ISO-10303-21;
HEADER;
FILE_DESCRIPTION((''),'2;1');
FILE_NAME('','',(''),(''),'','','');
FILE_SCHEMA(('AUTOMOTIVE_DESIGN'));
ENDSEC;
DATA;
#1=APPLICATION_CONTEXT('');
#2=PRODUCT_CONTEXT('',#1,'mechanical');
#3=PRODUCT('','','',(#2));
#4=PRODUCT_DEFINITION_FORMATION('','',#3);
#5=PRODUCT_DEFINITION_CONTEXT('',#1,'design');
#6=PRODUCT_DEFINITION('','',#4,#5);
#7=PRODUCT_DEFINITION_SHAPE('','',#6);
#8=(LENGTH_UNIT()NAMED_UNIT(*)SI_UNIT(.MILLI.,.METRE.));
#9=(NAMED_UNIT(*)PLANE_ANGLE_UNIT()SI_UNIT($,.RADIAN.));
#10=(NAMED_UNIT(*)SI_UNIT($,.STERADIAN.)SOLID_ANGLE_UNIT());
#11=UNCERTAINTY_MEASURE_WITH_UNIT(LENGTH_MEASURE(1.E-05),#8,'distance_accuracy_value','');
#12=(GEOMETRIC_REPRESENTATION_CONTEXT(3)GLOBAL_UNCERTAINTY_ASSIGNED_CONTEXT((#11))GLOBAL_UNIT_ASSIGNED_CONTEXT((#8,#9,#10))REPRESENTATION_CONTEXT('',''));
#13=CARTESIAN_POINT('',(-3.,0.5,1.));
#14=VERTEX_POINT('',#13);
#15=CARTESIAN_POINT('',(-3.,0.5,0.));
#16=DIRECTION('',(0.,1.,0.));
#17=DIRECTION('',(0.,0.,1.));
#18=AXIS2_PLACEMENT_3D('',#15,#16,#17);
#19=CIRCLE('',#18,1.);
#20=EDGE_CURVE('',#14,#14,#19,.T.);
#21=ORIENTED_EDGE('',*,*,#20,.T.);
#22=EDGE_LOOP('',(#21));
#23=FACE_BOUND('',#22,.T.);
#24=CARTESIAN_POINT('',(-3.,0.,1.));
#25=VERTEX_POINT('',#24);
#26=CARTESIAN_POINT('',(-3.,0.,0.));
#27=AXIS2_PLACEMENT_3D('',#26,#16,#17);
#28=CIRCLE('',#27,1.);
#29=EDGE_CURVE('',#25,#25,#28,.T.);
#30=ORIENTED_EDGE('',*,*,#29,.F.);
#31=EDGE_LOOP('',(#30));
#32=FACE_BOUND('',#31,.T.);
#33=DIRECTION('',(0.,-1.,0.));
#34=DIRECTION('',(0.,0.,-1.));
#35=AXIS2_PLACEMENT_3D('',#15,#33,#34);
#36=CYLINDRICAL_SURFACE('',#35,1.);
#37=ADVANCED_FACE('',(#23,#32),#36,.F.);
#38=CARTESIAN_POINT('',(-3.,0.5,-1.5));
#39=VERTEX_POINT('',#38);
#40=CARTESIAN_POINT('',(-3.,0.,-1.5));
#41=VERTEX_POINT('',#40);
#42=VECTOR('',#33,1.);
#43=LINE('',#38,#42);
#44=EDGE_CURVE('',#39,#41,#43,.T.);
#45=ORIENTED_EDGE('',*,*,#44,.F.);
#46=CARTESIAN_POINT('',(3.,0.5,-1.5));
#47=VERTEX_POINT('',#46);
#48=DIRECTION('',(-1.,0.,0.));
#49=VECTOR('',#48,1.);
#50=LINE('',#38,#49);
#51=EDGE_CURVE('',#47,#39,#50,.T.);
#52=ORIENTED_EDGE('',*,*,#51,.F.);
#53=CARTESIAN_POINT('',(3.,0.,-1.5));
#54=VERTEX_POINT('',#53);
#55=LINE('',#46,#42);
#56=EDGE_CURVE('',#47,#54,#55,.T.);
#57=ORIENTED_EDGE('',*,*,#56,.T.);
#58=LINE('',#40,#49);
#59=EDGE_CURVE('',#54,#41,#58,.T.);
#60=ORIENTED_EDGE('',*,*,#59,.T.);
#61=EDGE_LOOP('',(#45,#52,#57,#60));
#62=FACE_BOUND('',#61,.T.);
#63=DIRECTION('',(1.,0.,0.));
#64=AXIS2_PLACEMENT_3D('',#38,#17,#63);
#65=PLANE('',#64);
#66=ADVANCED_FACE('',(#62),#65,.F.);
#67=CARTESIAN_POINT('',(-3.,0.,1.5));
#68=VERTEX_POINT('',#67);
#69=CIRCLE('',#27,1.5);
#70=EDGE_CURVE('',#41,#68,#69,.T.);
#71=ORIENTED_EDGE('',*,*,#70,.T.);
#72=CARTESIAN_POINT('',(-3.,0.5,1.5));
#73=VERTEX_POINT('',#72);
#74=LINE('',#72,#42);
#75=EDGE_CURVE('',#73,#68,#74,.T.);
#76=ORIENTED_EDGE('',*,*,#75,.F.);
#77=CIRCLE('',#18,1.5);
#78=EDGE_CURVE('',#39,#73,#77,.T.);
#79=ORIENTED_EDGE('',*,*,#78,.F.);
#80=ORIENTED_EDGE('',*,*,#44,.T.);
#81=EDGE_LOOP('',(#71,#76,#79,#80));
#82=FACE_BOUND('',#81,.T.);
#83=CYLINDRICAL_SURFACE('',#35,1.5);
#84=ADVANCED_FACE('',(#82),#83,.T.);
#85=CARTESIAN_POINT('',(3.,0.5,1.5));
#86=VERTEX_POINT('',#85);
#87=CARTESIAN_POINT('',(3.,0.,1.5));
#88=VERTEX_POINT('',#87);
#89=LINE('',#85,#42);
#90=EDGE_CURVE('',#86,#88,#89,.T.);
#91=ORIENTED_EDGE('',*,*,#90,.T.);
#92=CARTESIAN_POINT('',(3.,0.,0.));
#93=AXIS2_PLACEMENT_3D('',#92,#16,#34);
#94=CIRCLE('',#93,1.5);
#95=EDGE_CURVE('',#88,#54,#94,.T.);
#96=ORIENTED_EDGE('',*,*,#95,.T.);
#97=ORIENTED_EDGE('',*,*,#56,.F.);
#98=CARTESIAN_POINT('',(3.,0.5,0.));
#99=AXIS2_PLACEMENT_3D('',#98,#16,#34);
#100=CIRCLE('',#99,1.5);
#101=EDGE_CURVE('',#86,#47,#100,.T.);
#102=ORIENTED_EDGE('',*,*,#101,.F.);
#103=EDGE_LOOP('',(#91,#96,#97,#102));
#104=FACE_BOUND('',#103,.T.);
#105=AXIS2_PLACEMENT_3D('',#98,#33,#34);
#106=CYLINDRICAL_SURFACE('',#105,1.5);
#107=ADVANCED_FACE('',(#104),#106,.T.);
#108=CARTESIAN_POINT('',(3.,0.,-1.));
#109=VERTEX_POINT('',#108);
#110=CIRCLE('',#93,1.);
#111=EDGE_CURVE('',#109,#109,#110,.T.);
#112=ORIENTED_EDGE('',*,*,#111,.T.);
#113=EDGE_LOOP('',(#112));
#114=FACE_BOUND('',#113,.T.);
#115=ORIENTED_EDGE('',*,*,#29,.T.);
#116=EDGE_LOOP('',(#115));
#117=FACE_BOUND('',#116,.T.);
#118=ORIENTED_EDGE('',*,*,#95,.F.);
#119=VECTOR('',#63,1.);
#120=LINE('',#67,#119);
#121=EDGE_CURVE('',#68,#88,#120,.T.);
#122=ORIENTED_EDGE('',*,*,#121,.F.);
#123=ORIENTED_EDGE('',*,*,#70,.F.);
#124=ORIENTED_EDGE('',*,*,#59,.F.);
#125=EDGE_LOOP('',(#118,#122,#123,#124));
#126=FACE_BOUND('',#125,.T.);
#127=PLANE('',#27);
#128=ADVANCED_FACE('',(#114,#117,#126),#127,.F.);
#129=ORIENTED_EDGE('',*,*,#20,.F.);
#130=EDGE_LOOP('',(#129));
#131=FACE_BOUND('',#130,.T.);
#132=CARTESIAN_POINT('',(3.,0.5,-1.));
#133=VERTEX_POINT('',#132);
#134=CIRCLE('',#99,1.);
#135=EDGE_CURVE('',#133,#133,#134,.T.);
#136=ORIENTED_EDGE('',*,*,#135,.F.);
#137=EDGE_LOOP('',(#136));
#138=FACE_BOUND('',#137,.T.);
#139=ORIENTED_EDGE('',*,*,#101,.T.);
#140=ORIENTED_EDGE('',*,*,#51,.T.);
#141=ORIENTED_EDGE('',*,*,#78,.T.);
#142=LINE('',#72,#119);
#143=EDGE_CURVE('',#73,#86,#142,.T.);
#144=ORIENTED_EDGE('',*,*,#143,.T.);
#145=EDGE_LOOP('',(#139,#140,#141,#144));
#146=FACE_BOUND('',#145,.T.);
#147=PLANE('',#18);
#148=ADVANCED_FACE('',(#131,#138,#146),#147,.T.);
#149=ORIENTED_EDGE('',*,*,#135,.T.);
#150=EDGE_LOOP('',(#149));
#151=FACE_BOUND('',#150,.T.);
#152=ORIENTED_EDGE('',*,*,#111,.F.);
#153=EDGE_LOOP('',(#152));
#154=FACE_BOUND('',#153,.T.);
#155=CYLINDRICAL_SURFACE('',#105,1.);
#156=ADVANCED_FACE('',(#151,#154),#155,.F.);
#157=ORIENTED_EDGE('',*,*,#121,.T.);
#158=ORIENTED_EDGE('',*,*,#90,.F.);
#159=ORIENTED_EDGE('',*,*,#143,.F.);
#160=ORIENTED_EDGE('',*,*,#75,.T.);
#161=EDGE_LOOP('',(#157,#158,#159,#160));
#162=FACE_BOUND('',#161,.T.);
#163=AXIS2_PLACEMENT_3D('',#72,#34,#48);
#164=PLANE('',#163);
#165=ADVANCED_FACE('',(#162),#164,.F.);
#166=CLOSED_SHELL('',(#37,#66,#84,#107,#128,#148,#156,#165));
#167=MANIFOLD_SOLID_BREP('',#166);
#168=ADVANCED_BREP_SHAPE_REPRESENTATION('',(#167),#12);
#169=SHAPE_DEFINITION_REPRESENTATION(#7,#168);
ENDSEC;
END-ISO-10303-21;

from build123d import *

# Parameters (mm, degrees)
SKETCH1_R           = 1
BOSS_EXTRUDE1_DEPTH = 0.5


with BuildPart() as part:
    # Sketch1 → Boss-Extrude1 (new body)
    with BuildSketch(Plane(origin=(0, 0, 0), x_dir=(1, 0, 0), z_dir=(0, 1, 0))):
        with BuildLine():
            Line((-3, 1.5), (3, 1.5))
            ThreePointArc((3, 1.5), (4.5, 0), (3, -1.5))
            Line((3, -1.5), (-3, -1.5))
            ThreePointArc((-3, -1.5), (-4.5, 0), (-3, 1.5))
        make_face()
        with Locations(Location((-3, 0, 0), (0, 0, 270))):
            Circle(SKETCH1_R, mode=Mode.SUBTRACT)
        with Locations(Location((3, 0, 0), (0, 0, 90))):
            Circle(SKETCH1_R, mode=Mode.SUBTRACT)
    extrude(amount=BOSS_EXTRUDE1_DEPTH)


solid = part.part
